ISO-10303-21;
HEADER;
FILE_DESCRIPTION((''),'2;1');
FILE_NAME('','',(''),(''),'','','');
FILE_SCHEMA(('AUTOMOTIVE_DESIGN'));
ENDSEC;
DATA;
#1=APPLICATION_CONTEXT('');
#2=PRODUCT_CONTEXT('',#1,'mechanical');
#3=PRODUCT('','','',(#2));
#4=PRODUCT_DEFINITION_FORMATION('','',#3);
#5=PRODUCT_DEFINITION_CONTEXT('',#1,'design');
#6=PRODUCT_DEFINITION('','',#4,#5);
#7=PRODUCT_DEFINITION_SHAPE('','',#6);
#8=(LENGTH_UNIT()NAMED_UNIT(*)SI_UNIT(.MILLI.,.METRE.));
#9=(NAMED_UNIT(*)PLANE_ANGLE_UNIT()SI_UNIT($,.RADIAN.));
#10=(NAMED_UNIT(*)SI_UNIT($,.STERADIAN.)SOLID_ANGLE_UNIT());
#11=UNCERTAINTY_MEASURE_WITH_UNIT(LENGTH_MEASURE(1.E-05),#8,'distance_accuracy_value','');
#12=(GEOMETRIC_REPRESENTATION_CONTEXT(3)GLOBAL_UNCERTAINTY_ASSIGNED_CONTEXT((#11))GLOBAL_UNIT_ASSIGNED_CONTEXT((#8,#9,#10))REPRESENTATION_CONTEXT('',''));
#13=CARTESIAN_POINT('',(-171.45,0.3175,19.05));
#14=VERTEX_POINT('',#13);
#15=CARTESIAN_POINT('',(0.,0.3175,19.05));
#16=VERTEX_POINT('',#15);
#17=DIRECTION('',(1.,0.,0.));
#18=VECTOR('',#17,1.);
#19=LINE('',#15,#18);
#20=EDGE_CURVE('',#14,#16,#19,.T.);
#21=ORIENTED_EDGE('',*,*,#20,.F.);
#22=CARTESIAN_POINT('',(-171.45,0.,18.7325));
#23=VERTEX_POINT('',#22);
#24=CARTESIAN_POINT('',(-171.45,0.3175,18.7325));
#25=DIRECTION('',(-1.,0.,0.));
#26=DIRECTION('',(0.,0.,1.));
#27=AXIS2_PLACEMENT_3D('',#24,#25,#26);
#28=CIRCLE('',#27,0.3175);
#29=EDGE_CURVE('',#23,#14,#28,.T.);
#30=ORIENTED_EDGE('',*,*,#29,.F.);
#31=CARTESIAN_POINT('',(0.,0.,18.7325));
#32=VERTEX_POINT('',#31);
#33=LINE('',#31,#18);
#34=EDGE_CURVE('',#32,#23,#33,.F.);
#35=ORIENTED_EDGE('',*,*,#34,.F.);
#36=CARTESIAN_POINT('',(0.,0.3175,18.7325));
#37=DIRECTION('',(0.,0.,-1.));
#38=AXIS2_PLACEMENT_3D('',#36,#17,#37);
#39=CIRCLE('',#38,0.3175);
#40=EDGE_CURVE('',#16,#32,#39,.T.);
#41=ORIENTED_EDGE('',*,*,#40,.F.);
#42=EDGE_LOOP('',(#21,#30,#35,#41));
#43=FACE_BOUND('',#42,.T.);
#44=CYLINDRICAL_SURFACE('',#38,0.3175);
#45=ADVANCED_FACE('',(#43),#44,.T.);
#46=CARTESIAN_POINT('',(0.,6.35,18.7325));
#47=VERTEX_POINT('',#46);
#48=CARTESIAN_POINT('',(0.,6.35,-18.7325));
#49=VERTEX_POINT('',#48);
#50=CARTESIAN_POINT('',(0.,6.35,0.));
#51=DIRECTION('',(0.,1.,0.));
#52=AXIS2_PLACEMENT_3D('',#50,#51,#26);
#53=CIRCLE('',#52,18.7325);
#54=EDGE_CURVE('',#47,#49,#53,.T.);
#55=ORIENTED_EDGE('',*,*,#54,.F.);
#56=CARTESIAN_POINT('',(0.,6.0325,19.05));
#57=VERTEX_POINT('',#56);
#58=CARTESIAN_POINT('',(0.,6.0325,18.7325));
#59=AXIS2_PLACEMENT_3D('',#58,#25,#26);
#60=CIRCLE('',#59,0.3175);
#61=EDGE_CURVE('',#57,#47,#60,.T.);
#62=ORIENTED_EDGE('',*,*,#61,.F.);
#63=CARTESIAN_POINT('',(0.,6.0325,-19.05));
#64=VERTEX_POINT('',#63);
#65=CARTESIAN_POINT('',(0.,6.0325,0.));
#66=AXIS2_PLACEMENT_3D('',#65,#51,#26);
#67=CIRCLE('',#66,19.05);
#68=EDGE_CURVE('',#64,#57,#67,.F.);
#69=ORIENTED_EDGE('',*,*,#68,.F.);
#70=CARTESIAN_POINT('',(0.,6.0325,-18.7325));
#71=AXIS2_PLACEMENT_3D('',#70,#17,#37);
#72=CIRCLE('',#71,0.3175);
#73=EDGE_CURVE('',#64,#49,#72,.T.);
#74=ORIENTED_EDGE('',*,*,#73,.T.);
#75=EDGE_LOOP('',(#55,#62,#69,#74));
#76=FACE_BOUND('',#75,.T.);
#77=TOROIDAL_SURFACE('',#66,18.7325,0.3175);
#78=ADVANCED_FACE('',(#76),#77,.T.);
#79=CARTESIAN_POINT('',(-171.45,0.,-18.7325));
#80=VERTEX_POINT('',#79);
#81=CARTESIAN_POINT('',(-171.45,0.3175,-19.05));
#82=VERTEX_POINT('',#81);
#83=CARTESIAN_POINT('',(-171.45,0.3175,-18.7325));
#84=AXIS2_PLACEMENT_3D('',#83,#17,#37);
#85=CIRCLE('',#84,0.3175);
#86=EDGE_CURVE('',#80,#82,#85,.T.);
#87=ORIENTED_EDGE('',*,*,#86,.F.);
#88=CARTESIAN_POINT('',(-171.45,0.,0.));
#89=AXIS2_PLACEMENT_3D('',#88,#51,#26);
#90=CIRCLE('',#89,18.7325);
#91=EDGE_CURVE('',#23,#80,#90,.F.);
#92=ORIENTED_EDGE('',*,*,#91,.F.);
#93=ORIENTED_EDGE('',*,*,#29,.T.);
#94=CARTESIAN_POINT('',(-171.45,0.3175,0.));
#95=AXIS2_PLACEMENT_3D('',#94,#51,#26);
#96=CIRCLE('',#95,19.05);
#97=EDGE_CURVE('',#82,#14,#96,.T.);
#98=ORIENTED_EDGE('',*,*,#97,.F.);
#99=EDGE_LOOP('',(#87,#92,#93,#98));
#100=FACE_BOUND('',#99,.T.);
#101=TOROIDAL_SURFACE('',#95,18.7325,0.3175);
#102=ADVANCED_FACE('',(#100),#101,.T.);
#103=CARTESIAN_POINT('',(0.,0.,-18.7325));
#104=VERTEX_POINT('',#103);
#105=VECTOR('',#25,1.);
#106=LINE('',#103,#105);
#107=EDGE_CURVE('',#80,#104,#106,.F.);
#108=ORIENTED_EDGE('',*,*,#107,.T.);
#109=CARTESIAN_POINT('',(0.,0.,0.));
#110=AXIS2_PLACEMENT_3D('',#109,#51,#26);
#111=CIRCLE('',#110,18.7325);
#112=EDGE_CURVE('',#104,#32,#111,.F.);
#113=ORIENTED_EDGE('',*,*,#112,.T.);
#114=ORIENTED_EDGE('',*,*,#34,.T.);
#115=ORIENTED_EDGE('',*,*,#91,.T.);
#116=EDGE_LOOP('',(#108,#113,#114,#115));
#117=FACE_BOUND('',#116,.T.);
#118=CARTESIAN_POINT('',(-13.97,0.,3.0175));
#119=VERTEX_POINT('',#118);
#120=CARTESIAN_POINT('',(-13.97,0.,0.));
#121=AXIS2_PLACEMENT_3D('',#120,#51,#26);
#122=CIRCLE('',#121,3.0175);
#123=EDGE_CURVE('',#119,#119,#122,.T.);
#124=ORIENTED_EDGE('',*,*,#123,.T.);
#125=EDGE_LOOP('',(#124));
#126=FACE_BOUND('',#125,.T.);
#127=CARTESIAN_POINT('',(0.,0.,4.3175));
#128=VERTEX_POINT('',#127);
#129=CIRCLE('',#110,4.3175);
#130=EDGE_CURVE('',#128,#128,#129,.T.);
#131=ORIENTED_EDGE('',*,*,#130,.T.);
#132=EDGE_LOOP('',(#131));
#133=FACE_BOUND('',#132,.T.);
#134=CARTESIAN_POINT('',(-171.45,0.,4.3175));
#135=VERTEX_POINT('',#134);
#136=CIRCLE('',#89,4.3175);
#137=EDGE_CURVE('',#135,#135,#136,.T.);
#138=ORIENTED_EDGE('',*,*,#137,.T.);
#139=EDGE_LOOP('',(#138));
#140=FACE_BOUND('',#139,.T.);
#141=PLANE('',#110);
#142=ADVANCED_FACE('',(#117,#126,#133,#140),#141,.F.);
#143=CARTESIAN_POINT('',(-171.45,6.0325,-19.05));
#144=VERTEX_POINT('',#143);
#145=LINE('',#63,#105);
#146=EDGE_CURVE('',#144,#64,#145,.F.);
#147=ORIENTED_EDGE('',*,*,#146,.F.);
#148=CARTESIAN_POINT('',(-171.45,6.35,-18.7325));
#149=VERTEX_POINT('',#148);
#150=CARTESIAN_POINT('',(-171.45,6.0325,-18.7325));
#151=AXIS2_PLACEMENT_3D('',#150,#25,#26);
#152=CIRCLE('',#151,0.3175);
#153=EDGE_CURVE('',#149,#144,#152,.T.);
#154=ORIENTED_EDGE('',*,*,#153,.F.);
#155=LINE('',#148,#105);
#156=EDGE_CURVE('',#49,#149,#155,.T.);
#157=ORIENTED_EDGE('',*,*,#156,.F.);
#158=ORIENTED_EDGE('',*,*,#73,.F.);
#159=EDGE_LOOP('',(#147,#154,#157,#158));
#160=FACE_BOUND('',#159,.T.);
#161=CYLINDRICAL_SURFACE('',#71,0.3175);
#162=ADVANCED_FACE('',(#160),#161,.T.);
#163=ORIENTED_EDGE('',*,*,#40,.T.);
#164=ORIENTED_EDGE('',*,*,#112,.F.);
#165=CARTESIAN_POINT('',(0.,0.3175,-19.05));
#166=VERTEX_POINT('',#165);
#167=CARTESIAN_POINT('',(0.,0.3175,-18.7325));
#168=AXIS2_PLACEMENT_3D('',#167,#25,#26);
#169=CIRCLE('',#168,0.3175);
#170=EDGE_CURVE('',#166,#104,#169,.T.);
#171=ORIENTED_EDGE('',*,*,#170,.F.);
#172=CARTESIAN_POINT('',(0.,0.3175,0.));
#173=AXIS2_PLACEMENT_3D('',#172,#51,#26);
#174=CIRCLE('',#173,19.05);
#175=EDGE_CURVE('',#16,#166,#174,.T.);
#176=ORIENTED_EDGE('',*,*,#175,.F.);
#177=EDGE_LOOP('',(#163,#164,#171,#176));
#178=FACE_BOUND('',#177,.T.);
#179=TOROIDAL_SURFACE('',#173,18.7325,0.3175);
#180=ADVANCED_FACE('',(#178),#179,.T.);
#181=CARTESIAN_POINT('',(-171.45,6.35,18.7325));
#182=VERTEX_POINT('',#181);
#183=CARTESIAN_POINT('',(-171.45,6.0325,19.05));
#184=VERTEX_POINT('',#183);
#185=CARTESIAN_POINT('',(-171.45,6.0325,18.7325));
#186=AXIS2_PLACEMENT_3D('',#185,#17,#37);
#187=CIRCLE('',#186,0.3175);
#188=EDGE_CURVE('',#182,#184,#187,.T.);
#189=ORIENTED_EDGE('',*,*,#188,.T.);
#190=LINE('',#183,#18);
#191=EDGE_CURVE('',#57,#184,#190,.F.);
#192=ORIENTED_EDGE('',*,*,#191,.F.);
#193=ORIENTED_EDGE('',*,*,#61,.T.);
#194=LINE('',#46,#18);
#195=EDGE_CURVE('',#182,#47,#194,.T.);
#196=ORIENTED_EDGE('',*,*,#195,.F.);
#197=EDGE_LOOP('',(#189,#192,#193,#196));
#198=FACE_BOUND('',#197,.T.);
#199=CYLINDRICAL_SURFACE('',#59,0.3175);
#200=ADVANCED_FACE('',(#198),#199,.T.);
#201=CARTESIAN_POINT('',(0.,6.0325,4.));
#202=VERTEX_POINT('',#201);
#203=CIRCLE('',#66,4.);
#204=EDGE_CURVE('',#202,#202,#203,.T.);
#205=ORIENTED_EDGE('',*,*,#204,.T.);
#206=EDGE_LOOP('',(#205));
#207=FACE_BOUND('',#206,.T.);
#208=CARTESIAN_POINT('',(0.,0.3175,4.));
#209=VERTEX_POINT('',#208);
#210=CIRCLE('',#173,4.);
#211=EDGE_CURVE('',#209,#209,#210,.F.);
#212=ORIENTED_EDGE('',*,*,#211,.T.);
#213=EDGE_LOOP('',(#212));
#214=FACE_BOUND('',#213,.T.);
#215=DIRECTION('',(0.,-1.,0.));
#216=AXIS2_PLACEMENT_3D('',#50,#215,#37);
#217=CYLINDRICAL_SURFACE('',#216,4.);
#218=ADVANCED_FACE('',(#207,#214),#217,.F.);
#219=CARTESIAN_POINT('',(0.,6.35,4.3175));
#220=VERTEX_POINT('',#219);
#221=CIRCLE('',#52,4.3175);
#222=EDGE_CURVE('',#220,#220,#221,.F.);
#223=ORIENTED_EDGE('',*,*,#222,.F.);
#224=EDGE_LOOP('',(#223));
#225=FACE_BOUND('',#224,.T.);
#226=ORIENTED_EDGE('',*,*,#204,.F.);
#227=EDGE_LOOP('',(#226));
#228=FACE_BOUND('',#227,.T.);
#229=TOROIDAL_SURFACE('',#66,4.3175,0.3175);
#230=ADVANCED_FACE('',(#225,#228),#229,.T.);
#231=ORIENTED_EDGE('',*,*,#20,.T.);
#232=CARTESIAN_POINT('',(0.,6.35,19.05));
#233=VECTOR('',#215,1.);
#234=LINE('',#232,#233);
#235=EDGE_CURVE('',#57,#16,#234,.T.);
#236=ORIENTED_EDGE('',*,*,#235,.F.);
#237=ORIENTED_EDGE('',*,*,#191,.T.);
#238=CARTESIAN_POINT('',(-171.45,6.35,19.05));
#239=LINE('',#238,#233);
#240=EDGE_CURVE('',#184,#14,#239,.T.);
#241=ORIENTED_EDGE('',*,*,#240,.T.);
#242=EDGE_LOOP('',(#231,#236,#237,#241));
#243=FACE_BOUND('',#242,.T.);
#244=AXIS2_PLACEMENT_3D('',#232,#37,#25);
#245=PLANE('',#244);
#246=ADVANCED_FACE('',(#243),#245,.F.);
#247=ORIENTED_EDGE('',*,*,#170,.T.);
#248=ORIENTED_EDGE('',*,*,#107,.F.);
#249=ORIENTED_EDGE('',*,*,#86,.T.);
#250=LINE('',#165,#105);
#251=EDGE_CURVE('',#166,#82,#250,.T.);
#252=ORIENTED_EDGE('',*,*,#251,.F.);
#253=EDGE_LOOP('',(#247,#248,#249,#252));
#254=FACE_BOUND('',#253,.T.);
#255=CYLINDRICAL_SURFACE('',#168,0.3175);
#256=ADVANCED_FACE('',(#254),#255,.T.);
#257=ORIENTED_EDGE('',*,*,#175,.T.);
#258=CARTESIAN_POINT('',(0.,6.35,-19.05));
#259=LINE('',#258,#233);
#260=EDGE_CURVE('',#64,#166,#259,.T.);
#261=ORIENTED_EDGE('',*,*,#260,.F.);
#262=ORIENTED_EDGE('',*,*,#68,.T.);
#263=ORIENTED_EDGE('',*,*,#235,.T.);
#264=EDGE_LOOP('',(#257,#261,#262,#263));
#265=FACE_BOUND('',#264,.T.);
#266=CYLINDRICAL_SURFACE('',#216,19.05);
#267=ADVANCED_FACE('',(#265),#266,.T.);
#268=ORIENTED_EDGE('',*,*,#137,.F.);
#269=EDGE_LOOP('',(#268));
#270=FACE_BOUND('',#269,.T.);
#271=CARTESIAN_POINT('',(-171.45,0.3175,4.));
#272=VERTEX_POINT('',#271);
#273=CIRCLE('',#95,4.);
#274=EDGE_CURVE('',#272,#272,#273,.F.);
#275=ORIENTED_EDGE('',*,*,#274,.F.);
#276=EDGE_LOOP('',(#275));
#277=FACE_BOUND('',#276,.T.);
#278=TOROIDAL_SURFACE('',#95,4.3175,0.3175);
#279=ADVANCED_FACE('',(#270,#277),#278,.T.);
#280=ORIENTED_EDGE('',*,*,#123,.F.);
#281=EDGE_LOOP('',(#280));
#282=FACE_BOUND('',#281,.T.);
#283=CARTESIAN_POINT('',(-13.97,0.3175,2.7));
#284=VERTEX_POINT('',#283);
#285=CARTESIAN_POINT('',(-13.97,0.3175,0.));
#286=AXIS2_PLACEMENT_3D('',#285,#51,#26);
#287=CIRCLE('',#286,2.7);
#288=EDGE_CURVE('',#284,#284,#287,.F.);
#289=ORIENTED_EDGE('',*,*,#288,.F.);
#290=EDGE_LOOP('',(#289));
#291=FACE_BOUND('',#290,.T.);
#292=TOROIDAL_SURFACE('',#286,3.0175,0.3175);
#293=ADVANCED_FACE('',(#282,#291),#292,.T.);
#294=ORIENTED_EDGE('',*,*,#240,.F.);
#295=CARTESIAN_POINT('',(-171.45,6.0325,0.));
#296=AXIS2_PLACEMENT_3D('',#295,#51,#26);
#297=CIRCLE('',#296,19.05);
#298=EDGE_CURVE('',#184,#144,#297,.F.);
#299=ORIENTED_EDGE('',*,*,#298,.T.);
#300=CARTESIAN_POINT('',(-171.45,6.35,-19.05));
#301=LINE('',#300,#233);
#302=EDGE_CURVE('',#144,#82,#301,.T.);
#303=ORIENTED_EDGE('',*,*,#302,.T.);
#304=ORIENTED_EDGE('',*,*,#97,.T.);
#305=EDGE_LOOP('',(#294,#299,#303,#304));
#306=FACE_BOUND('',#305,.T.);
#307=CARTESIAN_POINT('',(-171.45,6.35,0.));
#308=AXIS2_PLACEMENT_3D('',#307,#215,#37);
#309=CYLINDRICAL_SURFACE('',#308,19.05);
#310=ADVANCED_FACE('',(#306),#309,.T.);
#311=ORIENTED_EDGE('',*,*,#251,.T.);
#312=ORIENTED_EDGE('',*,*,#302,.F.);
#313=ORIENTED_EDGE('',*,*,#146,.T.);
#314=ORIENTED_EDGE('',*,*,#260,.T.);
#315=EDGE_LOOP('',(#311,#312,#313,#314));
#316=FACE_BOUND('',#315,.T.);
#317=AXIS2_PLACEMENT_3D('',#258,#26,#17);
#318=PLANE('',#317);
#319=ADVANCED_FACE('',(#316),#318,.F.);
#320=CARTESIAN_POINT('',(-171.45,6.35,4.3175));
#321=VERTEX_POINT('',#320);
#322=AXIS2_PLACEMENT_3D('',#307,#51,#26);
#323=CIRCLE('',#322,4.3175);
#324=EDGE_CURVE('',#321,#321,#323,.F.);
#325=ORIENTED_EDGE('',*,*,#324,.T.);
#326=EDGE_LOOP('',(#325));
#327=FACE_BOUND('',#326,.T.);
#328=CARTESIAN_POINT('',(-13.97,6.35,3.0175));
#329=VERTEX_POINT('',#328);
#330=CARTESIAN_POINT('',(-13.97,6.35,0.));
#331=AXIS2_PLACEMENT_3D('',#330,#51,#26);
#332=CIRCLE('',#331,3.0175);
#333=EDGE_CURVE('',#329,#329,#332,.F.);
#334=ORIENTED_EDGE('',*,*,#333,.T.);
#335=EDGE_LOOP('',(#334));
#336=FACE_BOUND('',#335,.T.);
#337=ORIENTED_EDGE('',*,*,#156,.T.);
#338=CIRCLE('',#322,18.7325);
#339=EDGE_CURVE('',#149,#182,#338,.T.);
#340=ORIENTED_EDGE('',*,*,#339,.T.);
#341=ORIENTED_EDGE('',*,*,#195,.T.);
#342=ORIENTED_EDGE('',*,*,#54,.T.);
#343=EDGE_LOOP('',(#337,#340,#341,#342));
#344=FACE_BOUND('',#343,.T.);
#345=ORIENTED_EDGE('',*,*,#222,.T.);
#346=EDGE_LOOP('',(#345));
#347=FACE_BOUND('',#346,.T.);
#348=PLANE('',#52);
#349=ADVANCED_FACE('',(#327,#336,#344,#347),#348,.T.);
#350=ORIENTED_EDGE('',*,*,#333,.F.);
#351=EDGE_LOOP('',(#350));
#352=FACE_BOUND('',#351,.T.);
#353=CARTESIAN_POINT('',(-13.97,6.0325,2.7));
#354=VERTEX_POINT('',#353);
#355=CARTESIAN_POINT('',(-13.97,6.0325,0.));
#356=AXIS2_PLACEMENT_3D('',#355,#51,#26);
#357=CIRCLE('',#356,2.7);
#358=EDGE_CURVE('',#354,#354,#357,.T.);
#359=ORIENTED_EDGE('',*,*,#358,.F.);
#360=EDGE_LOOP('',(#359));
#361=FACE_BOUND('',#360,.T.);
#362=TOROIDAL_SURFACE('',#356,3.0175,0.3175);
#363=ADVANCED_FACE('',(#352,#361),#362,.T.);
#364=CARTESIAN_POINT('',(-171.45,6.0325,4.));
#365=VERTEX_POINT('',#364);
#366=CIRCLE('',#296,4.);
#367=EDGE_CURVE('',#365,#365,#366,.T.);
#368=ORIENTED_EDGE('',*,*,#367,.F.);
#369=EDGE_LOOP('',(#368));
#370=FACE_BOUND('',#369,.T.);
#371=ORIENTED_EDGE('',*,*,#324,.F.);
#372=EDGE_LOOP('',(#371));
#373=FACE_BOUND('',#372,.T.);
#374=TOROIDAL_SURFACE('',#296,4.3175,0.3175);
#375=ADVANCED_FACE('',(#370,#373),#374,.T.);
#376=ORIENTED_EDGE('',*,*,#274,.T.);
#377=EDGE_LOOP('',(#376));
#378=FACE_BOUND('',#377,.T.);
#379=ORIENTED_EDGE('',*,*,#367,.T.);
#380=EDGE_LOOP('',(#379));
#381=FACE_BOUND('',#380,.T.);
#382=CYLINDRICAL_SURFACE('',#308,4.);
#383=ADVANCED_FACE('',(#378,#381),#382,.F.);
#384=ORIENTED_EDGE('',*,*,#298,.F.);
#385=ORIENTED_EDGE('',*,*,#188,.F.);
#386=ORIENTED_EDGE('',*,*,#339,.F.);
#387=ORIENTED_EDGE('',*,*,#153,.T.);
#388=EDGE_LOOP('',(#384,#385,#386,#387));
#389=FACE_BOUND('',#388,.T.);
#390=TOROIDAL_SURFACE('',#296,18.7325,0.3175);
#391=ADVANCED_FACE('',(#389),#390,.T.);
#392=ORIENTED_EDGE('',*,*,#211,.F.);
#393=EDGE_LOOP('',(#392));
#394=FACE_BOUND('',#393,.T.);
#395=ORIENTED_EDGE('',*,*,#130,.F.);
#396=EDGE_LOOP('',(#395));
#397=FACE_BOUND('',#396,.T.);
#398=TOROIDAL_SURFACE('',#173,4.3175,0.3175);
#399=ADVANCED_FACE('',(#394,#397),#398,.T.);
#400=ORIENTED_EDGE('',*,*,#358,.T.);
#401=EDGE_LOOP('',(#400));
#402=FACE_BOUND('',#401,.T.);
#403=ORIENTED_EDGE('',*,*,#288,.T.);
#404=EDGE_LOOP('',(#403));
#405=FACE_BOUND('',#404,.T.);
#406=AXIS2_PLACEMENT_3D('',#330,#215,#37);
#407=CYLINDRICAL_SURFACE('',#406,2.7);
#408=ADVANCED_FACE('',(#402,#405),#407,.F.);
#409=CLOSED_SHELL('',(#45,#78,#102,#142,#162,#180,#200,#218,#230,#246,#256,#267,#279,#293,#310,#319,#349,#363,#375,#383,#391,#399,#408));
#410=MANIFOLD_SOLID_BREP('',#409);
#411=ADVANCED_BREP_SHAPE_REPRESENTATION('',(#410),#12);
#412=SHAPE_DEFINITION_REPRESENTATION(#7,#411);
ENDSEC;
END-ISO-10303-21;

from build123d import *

# Parameters (mm, degrees)
SKETCH1_R           = 4
SKETCH1_R_2         = 2.7
BOSS_EXTRUDE1_DEPTH = 6.35
FILLET1_R           = 0.3175


with BuildPart() as part:
    # Sketch1 → Boss-Extrude1 (new body)
    with BuildSketch(Plane(origin=(0, 0, 0), x_dir=(1, 0, 0), z_dir=(0, 1, 0))):
        with BuildLine():
            Line((0, -19.05), (-171.45, -19.05))
            ThreePointArc((-171.45, -19.05), (-190.5, 0), (-171.45, 19.05))
            Line((-171.45, 19.05), (0, 19.05))
            ThreePointArc((0, 19.05), (19.05, 0), (0, -19.05))
        make_face()
        with Locations(Location((-171.45, 0, 0), (0, 0, 270))):
            Circle(SKETCH1_R, mode=Mode.SUBTRACT)
        with Locations(Location((0, 0, 0), (0, 0, 270))):
            Circle(SKETCH1_R, mode=Mode.SUBTRACT)
        with Locations(Location((-13.97, 0, 0), (0, 0, 270))):
            Circle(SKETCH1_R_2, mode=Mode.SUBTRACT)
    extrude(amount=BOSS_EXTRUDE1_DEPTH)

    # Fillet1
    fillet1_edges = [part.edges().sort_by_distance(p)[0] for p in [
        (-190.5, 6.35, 0),
        (-171.45, 0, -4),
        (-171.45, 6.35, -4),
        (-85.725, 6.35, 19.05),
        (0, 0, -4),
        (0, 6.35, -4),
        (-13.97, 0, -2.7),
        (-13.97, 6.35, -2.7),
        (19.05, 6.35, 0),
        (-85.725, 0, 19.05),
        (-190.5, 0, 0),
        (-85.725, 0, -19.05),
        (19.05, 0, 0),
        (-85.725, 6.35, -19.05),
    ]]
    fillet(fillet1_edges, radius=FILLET1_R)


solid = part.part
